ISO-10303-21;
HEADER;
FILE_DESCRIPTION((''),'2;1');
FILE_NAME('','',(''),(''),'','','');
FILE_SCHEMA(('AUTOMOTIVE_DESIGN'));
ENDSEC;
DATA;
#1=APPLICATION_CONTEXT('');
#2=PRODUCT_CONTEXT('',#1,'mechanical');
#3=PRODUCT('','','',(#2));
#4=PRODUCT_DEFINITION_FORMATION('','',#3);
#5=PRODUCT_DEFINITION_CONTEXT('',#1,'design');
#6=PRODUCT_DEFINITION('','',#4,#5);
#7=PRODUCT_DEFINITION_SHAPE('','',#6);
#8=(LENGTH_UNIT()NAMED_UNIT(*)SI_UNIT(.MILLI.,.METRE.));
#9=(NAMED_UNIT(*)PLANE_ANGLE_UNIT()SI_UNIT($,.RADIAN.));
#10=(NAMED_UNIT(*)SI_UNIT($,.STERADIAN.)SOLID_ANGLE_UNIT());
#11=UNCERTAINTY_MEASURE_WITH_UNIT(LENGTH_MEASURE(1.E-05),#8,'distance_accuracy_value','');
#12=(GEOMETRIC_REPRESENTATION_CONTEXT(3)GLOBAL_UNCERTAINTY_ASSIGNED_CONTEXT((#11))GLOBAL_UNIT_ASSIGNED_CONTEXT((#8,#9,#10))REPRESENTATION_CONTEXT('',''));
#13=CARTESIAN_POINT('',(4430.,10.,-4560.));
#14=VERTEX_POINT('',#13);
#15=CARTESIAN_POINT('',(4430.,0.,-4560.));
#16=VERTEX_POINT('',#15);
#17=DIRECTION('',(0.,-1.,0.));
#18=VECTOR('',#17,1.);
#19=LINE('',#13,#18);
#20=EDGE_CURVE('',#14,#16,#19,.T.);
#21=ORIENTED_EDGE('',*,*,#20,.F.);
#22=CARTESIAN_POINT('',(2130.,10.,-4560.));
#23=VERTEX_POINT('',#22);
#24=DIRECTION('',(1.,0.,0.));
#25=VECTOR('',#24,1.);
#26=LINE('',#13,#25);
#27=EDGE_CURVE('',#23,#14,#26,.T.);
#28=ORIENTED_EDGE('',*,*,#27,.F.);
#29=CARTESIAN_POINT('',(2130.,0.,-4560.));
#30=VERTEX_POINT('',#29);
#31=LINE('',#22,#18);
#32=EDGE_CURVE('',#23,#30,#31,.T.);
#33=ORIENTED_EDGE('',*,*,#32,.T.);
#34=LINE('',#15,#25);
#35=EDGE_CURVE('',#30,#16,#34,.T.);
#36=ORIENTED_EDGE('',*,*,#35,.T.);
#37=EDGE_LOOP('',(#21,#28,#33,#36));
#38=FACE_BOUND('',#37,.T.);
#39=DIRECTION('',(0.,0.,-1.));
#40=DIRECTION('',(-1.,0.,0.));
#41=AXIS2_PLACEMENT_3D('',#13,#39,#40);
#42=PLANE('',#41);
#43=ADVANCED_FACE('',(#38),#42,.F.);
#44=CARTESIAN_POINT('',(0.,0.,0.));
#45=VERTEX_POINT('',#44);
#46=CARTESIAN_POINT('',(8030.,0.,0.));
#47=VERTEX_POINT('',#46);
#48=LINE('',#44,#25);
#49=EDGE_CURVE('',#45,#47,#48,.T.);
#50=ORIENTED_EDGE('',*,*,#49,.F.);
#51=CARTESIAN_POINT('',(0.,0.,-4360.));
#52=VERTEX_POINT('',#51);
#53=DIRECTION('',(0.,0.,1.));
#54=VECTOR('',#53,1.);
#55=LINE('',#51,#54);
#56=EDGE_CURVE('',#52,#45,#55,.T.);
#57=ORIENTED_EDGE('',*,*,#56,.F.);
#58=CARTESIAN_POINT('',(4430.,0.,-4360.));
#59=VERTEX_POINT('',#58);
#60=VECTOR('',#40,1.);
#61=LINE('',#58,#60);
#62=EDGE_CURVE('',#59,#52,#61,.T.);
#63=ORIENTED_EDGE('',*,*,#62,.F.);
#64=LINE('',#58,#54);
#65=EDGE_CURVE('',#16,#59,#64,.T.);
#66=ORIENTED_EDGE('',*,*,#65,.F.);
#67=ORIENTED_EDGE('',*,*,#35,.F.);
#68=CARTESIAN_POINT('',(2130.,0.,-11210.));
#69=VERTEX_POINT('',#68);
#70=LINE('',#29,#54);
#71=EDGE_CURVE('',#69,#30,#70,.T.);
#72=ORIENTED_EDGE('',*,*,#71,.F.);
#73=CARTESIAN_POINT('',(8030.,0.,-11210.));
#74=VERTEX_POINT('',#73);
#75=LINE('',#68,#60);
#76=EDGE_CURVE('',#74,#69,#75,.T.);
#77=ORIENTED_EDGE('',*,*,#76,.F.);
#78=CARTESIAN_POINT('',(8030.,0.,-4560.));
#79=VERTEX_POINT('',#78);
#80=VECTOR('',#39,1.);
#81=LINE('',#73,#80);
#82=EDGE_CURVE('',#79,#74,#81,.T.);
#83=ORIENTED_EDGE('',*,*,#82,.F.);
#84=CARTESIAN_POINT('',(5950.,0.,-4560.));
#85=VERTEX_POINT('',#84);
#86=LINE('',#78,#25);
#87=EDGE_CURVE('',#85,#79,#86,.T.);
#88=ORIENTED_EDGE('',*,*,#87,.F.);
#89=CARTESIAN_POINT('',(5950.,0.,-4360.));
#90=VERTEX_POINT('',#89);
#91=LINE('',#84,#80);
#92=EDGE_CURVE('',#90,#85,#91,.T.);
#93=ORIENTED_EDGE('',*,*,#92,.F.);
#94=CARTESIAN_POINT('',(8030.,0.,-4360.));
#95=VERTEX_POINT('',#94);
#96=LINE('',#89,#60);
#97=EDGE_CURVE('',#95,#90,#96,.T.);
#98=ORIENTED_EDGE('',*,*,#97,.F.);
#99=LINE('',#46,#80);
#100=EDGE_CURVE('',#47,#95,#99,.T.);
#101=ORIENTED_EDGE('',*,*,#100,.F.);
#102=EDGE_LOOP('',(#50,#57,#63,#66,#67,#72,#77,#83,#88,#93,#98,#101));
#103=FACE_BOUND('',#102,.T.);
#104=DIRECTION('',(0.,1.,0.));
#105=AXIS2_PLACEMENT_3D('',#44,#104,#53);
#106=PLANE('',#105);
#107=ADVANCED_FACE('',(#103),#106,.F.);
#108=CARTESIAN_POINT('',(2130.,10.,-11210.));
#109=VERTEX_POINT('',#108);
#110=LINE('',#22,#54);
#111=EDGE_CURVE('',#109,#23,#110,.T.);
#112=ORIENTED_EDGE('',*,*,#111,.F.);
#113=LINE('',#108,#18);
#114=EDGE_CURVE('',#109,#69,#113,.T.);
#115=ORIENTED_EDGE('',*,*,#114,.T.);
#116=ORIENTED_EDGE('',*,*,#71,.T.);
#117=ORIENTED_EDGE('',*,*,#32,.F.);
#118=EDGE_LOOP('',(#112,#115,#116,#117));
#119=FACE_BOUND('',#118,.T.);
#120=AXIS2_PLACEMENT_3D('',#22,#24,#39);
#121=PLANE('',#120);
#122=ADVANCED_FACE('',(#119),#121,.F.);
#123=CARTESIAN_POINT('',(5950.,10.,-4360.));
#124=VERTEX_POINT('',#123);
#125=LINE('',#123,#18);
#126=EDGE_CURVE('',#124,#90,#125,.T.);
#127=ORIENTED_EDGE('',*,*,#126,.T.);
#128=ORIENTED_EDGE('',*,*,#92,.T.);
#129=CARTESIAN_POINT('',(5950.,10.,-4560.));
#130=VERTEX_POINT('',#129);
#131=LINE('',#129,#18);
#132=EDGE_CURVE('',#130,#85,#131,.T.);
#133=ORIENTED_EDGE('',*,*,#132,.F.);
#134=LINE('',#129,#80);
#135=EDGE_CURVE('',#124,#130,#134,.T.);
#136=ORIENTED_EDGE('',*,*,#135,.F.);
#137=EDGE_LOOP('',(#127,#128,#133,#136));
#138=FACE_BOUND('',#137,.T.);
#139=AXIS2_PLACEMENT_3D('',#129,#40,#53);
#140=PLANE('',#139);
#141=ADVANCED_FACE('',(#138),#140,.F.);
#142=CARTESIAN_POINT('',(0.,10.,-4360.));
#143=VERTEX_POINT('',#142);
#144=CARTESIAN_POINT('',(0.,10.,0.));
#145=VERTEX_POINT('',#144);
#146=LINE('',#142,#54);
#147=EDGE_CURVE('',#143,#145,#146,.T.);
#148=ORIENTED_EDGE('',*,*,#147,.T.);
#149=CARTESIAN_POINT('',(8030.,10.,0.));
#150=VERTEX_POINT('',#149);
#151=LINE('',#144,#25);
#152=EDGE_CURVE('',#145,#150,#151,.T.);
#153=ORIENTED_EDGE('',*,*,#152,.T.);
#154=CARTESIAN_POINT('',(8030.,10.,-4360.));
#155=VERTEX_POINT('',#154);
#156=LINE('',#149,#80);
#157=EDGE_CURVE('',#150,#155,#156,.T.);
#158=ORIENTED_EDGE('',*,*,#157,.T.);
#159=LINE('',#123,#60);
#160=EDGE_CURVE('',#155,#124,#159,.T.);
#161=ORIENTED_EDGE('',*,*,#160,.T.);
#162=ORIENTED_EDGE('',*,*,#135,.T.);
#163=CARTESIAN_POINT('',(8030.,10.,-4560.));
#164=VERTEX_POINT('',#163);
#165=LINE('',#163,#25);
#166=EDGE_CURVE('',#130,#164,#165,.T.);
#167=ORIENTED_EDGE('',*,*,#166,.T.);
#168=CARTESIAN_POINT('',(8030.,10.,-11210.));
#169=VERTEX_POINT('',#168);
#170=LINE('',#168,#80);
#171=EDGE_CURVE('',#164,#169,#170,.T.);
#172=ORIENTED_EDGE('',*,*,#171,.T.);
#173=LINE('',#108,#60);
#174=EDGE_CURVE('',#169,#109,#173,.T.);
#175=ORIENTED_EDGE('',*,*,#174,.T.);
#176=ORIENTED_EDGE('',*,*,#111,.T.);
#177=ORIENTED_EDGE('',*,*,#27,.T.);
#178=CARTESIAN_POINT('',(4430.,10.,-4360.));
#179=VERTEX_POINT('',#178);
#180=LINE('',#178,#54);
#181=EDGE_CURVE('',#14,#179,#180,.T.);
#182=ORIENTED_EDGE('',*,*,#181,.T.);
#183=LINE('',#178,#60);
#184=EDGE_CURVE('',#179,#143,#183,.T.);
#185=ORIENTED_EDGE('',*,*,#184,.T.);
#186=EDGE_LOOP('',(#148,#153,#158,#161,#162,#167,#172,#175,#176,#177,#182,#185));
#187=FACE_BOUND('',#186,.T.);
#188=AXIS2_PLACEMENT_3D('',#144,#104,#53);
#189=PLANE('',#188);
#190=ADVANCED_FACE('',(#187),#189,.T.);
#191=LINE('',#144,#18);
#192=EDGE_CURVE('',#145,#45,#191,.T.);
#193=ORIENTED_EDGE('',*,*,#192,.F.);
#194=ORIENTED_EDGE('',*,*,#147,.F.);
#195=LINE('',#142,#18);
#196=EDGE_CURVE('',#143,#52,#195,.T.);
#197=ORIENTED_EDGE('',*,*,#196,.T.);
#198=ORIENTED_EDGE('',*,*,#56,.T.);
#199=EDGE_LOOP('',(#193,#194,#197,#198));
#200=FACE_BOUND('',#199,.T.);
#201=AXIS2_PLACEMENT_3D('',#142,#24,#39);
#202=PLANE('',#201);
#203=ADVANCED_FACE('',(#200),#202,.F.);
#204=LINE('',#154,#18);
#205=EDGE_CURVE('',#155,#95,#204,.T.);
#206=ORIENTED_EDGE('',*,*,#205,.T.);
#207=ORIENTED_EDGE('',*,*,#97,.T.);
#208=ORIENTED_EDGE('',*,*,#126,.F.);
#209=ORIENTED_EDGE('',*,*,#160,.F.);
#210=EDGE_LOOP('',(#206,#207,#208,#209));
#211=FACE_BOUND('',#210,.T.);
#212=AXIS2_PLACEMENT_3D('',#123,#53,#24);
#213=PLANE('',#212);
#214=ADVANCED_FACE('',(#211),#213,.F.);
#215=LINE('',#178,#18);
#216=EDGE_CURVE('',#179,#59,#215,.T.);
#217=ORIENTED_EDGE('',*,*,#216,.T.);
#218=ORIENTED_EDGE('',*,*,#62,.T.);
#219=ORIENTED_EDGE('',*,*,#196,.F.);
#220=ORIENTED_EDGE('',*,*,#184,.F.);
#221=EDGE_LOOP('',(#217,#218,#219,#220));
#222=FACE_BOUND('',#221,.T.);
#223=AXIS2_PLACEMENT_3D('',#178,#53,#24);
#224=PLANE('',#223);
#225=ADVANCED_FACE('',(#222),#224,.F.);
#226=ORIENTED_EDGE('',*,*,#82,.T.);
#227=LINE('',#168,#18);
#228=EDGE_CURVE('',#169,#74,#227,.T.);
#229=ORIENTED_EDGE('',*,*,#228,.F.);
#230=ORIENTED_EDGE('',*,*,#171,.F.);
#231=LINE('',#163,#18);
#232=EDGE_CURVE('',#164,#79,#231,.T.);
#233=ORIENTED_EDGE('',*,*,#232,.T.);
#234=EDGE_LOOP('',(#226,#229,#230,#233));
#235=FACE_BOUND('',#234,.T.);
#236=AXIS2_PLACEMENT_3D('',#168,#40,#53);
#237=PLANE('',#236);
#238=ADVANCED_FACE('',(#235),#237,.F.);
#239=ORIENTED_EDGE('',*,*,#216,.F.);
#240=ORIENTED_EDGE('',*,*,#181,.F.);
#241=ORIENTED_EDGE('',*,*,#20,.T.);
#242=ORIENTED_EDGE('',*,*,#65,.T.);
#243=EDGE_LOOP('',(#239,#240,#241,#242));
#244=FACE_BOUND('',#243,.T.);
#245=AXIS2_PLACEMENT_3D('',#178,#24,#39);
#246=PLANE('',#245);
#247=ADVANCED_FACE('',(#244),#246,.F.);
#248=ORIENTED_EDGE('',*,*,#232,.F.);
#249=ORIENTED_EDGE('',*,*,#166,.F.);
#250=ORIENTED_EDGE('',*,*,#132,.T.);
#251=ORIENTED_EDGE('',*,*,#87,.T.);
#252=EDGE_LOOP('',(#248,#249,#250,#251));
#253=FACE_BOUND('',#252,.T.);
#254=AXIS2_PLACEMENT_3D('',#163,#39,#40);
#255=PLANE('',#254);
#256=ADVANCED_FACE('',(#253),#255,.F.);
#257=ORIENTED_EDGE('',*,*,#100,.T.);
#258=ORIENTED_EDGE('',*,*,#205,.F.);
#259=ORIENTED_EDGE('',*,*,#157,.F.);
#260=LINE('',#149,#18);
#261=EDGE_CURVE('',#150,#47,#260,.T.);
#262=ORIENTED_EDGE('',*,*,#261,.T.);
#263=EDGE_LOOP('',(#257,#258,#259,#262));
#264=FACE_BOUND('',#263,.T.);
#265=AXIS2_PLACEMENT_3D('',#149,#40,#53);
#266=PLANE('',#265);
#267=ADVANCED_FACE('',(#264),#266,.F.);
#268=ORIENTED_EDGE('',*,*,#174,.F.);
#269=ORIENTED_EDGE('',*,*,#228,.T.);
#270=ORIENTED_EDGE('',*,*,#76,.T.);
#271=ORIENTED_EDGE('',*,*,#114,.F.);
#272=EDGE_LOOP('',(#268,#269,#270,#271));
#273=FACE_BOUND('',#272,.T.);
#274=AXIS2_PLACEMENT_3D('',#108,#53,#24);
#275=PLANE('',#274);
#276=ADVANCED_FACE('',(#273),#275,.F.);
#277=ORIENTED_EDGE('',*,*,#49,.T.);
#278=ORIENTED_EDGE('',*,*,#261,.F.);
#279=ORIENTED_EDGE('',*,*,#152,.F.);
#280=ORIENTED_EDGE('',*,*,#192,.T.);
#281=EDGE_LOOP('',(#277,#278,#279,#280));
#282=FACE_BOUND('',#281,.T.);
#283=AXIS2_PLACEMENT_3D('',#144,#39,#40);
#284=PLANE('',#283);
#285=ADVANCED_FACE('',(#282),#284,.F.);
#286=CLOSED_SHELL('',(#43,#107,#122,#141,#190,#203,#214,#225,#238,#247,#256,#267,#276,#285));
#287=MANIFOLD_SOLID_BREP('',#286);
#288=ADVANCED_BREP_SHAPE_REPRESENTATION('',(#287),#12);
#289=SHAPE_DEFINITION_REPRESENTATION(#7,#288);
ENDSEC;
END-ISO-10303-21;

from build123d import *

# Parameters (mm, degrees)
BOSS_EXTRUDE1_DEPTH = 10


with BuildPart() as part:
    # Sketch4 → Boss-Extrude1 (new body)
    with BuildSketch(Plane(origin=(0, 0, 0), x_dir=(1, 0, 0), z_dir=(0, 1, 0))):
        Polygon((8030, 11210), (8030, 4560), (5950, 4560), (5950, 4360), (8030, 4360), (8030, 0), (0, 0), (0, 4360), (4430, 4360), (4430, 4560), (2130, 4560), (2130, 11210), align=None)
    extrude(amount=BOSS_EXTRUDE1_DEPTH)


solid = part.part
